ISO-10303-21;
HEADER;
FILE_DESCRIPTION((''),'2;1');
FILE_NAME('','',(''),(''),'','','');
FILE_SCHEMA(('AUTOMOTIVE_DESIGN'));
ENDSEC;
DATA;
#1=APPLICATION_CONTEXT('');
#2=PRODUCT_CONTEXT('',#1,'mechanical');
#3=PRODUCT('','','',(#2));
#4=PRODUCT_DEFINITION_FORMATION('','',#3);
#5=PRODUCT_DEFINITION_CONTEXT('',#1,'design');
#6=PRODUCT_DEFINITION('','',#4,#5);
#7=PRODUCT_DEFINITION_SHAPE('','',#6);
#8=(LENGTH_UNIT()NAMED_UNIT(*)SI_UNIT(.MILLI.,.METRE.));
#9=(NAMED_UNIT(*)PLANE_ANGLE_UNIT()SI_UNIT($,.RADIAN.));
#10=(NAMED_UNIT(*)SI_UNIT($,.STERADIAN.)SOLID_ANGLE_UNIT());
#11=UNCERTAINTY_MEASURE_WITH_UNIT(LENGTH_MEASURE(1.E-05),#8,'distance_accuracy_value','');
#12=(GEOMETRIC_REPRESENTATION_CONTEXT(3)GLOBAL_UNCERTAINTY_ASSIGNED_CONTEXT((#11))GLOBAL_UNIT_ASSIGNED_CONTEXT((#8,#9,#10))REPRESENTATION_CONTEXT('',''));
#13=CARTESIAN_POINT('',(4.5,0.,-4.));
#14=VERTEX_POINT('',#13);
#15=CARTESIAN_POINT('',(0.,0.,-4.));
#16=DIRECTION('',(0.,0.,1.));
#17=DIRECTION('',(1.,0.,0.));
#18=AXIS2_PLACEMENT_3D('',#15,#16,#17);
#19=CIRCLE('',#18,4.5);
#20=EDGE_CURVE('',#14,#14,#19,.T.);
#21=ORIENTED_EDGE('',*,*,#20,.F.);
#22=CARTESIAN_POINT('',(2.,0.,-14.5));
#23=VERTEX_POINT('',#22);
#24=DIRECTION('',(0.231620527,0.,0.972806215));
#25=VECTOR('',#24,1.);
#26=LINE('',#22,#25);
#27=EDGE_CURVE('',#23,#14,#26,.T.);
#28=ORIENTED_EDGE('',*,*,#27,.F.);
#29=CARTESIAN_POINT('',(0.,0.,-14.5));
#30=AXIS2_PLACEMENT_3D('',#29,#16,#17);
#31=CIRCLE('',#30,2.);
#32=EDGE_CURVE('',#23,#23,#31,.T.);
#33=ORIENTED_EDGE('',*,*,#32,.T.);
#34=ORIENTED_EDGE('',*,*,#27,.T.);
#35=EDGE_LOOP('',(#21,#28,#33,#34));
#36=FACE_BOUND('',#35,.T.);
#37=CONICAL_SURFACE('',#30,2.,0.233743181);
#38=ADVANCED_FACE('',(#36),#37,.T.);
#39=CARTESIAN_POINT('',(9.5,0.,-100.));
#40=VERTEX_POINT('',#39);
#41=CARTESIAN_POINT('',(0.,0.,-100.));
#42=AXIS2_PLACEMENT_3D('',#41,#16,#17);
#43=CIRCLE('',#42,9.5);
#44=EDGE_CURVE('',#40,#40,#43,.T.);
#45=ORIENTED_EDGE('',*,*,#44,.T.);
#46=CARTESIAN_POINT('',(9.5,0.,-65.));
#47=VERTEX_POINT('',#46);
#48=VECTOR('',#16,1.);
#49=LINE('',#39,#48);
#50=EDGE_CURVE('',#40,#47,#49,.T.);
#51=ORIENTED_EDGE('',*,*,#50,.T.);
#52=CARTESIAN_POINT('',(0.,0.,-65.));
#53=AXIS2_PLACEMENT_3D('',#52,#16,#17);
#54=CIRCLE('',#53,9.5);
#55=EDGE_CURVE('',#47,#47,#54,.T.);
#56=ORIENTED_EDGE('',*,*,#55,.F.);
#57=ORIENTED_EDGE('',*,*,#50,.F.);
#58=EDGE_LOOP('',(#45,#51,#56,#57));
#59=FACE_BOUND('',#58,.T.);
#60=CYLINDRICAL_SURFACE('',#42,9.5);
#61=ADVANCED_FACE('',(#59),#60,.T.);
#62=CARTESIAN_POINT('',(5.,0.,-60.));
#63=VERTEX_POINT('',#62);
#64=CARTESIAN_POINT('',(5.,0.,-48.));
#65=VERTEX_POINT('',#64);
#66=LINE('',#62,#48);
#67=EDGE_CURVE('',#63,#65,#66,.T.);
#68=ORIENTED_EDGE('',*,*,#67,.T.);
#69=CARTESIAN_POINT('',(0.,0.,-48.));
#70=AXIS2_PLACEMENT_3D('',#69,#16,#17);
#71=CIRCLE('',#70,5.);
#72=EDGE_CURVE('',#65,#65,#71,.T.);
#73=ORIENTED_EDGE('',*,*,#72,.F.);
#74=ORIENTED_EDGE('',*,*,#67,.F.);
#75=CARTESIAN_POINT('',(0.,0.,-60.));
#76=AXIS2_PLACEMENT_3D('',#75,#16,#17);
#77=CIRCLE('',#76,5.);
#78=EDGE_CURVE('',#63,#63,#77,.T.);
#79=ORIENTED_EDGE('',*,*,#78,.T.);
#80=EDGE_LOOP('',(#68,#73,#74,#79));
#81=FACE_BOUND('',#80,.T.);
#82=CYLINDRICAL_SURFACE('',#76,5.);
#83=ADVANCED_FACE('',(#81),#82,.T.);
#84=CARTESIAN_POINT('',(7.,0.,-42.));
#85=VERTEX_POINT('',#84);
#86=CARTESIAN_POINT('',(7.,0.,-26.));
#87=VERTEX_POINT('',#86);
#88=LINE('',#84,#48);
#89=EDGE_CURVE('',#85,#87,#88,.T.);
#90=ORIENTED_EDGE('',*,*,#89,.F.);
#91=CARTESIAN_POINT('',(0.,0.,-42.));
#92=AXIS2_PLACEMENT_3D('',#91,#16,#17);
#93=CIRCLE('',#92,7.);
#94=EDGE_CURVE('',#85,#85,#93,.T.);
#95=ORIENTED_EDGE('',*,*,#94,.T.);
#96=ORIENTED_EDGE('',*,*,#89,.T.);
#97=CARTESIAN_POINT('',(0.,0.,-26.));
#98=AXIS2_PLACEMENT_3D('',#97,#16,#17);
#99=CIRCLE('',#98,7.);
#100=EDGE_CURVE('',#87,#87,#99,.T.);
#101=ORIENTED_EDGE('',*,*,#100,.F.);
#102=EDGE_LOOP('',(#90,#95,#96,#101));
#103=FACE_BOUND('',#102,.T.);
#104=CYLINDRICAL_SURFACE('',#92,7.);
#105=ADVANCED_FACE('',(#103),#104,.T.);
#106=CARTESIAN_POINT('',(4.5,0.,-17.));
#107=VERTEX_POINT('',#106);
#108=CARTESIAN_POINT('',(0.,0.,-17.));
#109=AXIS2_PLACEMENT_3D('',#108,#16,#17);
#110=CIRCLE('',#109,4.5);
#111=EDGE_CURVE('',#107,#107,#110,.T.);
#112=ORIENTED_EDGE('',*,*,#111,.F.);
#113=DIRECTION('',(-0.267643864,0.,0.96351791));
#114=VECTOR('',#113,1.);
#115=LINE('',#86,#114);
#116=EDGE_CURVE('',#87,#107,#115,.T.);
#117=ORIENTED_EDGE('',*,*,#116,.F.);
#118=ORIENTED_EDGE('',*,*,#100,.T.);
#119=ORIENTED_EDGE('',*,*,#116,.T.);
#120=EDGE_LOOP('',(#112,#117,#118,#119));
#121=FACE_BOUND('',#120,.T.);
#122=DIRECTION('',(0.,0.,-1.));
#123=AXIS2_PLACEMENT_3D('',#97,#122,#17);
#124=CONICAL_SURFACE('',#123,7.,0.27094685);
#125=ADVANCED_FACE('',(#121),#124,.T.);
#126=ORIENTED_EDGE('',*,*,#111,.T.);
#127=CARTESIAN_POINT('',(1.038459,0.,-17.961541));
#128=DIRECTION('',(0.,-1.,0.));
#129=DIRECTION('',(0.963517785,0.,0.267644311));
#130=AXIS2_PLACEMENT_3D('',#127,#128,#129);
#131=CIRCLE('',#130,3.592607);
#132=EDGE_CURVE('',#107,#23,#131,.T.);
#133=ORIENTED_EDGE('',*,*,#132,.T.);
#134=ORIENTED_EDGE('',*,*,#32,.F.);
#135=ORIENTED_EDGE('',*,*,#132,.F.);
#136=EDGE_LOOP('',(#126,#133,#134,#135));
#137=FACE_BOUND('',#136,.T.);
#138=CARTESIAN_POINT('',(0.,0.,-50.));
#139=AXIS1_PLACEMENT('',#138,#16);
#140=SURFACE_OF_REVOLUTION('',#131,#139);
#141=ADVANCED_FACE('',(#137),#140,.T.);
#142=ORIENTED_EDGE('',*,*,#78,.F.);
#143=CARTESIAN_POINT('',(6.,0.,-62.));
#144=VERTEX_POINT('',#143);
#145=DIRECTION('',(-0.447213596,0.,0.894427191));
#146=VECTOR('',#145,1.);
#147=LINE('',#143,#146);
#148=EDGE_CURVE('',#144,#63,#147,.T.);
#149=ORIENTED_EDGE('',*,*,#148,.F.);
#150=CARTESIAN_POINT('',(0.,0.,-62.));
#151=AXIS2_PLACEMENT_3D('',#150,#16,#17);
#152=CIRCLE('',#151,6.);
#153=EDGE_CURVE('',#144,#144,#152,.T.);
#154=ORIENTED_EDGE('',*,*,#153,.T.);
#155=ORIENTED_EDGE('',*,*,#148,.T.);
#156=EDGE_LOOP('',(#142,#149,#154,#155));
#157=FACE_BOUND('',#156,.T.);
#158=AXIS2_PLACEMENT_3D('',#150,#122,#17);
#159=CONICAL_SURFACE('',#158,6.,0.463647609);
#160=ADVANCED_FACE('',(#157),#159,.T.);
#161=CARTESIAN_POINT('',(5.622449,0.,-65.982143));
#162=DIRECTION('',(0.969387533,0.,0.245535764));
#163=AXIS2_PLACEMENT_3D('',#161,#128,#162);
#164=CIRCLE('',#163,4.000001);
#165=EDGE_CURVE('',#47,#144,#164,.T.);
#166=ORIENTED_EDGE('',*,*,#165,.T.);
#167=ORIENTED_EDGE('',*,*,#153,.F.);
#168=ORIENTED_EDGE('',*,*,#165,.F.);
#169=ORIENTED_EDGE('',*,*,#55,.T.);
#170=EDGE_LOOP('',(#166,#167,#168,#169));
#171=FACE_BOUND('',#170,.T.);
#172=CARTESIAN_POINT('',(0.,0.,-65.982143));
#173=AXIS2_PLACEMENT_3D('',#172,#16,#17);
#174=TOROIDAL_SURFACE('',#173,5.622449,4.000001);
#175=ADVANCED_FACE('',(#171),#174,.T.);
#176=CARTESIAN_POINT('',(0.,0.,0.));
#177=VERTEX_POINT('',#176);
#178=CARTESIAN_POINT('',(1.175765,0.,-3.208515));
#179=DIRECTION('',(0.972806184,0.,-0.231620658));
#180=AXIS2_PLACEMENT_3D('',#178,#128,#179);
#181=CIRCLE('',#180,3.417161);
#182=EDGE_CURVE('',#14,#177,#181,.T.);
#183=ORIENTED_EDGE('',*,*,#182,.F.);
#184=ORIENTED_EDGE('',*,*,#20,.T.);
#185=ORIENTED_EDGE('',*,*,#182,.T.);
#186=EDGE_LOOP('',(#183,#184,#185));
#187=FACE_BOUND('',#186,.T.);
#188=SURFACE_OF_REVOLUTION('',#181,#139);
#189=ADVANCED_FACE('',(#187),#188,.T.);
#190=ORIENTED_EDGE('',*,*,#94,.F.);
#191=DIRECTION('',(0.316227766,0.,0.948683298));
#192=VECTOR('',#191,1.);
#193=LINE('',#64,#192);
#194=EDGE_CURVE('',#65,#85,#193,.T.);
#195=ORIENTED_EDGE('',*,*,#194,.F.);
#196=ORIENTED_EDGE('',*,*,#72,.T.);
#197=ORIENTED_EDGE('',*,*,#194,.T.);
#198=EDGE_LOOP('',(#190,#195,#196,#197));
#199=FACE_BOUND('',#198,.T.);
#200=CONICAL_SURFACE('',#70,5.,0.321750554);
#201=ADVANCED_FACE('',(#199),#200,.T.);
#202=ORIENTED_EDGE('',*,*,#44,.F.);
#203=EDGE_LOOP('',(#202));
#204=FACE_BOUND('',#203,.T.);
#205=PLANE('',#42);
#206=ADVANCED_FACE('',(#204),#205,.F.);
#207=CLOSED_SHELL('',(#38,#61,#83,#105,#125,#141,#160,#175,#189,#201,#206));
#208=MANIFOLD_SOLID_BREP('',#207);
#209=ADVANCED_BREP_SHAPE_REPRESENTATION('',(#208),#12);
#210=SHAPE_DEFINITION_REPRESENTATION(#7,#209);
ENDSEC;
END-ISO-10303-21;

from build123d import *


with BuildPart() as f1:
    # F0 (on Front) → F1 (revolve)
    with BuildSketch(Plane.XZ):
        with BuildLine():
            Line((2, -14.5), (4.5, -4))
            ThreePointArc((4.5, -4), (3.446003, -0.654497), (0, 0))
            Line((0, 0), (0, -100))
            Line((0, -100), (9.5, -100))
            Line((9.5, -100), (9.5, -65))
            ThreePointArc((9.5, -65), (8.225615, -62.945116), (6, -62))
            Line((6, -62), (5, -60))
            Line((5, -60), (5, -48))
            Line((5, -48), (7, -42))
            Line((7, -42), (7, -26))
            Line((7, -26), (4.5, -17))
            ThreePointArc((4.5, -17), (3.578816, -15.421184), (2, -14.5))
        make_face()
    revolve(axis=Axis((0, 0, -50), (0, 0, 1)))


solid = f1.part
